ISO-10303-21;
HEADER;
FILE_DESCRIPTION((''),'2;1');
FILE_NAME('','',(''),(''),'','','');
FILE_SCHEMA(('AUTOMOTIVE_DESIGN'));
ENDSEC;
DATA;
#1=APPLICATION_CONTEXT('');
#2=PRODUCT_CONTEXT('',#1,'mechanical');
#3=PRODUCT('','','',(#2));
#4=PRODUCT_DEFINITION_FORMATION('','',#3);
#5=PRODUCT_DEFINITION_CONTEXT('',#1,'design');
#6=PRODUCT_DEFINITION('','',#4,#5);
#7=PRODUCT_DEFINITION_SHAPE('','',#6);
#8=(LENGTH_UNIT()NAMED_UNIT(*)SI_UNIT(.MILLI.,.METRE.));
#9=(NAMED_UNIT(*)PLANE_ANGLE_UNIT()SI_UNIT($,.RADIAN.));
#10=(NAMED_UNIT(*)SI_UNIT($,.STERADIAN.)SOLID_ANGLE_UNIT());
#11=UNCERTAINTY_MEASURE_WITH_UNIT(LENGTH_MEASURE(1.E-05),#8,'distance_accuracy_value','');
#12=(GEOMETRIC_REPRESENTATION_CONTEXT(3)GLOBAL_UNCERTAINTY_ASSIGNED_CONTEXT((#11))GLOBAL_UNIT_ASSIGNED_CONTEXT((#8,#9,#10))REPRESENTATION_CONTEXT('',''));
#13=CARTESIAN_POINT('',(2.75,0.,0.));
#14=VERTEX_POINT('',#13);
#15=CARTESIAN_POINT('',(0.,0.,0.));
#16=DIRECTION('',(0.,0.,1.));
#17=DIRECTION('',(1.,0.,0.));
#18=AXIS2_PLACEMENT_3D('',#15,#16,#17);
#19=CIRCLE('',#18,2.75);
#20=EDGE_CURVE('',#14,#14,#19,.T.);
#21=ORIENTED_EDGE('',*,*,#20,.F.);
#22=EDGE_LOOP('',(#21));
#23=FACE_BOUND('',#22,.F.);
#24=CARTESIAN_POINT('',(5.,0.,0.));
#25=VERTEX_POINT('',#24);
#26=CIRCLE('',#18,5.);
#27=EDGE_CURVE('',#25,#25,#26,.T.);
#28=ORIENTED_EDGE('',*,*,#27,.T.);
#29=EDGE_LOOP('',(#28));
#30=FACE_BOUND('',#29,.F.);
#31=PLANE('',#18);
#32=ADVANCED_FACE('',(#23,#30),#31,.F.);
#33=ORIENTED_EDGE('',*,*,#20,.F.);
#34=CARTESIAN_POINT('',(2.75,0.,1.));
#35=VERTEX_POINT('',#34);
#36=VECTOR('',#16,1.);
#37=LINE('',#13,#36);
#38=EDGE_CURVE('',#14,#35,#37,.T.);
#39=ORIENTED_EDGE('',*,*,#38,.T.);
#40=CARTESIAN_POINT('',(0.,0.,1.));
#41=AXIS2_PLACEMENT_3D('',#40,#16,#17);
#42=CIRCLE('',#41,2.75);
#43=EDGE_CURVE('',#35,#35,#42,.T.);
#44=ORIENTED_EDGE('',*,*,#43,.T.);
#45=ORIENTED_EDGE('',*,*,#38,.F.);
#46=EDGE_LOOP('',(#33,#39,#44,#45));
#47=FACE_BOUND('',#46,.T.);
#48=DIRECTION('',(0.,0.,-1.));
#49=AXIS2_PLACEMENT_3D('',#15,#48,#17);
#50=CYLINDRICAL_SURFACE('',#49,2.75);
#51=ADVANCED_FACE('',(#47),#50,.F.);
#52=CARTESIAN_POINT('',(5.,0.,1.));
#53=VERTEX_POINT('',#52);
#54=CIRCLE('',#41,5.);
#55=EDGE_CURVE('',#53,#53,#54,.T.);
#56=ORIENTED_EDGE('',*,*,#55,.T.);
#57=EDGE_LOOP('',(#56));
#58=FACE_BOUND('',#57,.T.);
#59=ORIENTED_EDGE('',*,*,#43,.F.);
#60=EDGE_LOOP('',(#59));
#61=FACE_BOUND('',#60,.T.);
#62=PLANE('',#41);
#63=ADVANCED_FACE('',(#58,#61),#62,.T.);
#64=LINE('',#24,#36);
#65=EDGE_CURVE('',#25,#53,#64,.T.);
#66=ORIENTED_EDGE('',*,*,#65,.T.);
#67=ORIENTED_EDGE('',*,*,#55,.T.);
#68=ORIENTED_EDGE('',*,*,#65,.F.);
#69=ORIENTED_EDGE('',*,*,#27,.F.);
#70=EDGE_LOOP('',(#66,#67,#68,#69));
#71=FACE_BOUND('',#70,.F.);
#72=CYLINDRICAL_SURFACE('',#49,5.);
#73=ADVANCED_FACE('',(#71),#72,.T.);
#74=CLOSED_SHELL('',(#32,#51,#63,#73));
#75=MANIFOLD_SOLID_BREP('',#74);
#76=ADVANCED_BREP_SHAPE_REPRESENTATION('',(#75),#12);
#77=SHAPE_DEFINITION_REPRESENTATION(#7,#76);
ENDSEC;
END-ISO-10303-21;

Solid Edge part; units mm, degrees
sketch "Sketch1" plane through (0, 0, 0) normal (0, 0, 1) x (1, 0, 0)
  circle A0 centre (0, 0) radius 2.75
  circle A1 centre (0, 0) radius 5
extrude "Protrusion1" add sketch "Sketch1" along normal blind 1
properties material "Stainless steel"
